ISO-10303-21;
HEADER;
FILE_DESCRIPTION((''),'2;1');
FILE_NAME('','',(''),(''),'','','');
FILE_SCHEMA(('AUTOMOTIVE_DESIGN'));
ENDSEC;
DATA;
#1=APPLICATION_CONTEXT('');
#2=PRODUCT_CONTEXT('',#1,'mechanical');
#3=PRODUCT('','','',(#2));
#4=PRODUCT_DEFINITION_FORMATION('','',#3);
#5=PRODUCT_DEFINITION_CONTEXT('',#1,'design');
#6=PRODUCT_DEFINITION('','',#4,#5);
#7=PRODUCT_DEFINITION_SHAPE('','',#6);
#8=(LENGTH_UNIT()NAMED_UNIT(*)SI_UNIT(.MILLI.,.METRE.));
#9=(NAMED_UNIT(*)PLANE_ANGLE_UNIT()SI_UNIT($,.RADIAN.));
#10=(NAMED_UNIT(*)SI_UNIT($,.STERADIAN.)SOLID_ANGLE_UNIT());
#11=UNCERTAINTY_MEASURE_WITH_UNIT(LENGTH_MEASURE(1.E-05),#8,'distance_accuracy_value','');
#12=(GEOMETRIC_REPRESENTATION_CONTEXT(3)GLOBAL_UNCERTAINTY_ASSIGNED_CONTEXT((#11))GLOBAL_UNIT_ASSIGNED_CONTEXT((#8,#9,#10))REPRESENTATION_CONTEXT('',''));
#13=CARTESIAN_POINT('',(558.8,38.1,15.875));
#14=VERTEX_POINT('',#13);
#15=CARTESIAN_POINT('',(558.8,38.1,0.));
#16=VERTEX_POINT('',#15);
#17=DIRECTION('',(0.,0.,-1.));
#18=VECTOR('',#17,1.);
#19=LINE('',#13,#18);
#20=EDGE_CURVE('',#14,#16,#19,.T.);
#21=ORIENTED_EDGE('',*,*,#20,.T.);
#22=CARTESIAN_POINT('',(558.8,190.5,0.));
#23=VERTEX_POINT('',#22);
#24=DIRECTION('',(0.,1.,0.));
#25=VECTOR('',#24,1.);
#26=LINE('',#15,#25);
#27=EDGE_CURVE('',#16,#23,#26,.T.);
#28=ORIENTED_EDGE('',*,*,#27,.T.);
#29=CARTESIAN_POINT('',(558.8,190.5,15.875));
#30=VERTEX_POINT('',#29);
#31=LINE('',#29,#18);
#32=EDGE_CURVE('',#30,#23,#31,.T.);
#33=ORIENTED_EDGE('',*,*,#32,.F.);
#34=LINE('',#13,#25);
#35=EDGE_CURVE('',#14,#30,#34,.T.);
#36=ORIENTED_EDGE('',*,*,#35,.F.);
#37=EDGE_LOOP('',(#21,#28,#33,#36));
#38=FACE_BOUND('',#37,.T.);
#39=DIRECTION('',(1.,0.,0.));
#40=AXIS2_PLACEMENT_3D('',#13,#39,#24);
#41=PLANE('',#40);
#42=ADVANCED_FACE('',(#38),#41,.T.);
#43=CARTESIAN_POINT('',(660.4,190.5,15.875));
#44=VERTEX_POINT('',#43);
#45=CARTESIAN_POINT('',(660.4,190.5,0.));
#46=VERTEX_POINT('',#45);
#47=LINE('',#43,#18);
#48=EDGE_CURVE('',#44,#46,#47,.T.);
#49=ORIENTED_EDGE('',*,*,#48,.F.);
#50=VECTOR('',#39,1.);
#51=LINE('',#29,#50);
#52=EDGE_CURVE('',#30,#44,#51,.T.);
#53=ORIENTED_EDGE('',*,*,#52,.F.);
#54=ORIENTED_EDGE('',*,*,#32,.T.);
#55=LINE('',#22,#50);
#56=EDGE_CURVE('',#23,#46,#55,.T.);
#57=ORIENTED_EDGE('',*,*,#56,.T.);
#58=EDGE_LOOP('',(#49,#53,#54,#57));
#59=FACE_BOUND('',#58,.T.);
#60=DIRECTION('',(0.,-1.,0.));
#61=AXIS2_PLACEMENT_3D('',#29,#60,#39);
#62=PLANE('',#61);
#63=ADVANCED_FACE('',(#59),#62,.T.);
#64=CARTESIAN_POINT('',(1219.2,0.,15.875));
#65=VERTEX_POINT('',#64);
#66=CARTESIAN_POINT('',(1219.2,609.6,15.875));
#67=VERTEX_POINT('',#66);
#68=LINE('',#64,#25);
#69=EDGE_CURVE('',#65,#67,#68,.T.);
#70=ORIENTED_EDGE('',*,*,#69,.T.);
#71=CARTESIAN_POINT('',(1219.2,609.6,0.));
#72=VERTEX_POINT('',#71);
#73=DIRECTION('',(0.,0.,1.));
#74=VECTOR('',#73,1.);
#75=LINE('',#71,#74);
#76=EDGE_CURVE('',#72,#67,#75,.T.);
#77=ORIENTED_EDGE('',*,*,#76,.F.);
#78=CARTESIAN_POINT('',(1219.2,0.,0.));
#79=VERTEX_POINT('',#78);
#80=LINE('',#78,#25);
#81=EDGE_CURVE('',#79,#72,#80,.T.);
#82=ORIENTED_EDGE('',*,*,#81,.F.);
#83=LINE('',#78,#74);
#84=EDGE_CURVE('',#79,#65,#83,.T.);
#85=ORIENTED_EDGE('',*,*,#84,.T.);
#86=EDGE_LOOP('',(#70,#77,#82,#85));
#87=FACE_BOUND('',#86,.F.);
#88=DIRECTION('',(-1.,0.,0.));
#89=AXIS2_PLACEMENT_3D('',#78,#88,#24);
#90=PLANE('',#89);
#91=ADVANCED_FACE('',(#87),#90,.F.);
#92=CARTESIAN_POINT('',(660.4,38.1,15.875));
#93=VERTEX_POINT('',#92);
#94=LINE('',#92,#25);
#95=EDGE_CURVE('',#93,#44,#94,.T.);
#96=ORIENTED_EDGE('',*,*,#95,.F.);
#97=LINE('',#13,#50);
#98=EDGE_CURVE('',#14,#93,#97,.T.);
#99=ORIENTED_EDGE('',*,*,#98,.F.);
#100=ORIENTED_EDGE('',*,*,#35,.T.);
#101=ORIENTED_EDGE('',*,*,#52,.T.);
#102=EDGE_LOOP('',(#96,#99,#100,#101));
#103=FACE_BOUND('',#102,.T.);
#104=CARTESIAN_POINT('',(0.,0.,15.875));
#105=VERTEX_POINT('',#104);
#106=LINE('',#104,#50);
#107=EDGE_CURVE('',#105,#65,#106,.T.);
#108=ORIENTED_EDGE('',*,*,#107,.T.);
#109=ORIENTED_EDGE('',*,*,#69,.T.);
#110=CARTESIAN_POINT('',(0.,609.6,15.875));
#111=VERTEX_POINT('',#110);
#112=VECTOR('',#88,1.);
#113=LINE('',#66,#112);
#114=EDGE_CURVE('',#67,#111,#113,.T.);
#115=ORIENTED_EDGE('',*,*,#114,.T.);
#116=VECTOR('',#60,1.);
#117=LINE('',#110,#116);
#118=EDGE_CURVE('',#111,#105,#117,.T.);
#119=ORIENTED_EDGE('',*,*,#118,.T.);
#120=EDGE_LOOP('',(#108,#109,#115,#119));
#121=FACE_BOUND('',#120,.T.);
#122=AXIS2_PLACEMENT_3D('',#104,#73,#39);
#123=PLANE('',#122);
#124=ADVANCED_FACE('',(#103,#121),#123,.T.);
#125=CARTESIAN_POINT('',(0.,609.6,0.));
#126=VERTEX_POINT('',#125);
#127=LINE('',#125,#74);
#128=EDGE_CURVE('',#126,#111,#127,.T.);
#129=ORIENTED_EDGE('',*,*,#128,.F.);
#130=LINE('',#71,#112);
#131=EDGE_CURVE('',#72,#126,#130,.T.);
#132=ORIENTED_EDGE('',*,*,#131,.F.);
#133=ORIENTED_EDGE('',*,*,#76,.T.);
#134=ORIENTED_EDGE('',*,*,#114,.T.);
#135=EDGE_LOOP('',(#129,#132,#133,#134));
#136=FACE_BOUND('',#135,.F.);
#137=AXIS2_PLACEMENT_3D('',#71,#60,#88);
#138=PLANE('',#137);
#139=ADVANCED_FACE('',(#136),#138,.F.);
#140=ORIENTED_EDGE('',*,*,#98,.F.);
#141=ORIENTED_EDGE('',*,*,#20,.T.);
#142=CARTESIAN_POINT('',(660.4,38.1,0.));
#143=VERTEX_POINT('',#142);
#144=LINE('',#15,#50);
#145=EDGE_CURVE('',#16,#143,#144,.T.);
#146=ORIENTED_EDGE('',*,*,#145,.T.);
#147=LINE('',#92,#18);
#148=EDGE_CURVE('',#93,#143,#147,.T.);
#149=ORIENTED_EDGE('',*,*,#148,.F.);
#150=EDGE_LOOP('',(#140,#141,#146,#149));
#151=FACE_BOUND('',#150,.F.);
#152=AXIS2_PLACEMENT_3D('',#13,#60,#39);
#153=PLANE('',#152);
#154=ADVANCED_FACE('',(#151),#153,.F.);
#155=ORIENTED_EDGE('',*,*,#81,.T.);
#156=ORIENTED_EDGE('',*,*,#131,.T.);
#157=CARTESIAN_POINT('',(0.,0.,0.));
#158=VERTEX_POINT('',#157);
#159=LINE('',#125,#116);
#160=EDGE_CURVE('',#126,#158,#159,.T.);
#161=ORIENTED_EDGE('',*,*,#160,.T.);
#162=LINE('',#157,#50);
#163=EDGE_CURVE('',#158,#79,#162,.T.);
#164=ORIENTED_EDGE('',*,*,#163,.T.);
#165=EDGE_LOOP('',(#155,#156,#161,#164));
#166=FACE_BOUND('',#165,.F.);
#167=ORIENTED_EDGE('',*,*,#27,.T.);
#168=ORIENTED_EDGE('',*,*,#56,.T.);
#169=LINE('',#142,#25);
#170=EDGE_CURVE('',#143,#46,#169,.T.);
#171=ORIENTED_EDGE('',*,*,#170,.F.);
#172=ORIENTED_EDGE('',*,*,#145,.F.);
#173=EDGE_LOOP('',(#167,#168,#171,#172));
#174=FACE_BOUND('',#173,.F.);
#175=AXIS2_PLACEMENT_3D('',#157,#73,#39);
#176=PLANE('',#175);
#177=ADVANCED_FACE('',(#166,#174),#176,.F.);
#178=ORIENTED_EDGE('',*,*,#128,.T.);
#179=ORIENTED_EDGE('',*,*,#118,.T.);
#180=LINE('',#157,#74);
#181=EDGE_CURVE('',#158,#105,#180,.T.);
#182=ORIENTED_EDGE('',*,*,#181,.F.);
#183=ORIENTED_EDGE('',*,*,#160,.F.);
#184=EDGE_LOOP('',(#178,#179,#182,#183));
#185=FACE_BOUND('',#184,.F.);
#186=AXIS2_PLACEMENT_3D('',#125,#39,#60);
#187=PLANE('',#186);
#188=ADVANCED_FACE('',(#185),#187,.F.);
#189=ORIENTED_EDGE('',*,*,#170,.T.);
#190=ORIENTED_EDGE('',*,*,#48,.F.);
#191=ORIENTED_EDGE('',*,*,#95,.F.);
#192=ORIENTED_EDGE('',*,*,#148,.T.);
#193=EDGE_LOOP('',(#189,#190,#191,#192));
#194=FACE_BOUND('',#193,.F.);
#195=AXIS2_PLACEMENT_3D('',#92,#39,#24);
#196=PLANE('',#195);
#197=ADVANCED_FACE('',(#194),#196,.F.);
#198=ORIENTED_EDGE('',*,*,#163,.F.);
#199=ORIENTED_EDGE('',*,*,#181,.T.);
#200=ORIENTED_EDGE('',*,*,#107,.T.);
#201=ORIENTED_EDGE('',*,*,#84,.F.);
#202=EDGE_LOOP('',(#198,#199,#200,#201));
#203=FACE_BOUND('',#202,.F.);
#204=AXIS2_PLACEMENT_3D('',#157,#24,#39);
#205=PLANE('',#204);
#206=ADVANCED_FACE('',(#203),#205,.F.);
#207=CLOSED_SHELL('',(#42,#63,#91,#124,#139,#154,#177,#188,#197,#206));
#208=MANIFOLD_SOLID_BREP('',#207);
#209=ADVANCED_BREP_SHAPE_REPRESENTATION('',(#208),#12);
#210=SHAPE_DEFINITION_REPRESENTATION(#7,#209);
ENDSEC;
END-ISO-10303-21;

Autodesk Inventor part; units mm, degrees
ref_plane "YZ Plane" through (0, 0, 0) normal (1, 0, 0) x (0, 1, 0)
ref_plane "XZ Plane" through (0, 0, 0) normal (0, 1, 0) x (-1, 0, 0)
ref_plane "XY Plane" through (0, 0, 0) normal (0, 0, 1) x (1, 0, 0)
sketch "Sketch1" plane through (0, 0, 0) normal (0, 0, 1) x (1, 0, 0)
  line L0 (0, 0) -> (1219.2, 0)
  line L1 (1219.2, 0) -> (1219.2, 609.6)
  line L2 (1219.2, 609.6) -> (0, 609.6)
  line L3 (0, 609.6) -> (0, 0)
  dimension "d0" = 1219.2
  dimension "d1" = 609.6
extrude "Extrusion1" add sketch "Sketch1" along normal blind 15.875
sketch "Sketch2" plane through (0, 0, 15.875) normal (0, 0, 1) x (1, 0, 0)
  line L0 (0, 0) -> (1219.2, 0) projected
  line L1 (558.8, 38.1) -> (660.4, 38.1)
  line L2 (660.4, 38.1) -> (660.4, 190.5)
  line L3 (558.8, 38.1) -> (558.8, 190.5)
  line L4 (558.8, 190.5) -> (660.4, 190.5)
  dimension "d4" = 38.1
extrude "Extrusion2" cut sketch "Sketch2" against normal blind 15.875
properties part number "Door Gyp Board"
